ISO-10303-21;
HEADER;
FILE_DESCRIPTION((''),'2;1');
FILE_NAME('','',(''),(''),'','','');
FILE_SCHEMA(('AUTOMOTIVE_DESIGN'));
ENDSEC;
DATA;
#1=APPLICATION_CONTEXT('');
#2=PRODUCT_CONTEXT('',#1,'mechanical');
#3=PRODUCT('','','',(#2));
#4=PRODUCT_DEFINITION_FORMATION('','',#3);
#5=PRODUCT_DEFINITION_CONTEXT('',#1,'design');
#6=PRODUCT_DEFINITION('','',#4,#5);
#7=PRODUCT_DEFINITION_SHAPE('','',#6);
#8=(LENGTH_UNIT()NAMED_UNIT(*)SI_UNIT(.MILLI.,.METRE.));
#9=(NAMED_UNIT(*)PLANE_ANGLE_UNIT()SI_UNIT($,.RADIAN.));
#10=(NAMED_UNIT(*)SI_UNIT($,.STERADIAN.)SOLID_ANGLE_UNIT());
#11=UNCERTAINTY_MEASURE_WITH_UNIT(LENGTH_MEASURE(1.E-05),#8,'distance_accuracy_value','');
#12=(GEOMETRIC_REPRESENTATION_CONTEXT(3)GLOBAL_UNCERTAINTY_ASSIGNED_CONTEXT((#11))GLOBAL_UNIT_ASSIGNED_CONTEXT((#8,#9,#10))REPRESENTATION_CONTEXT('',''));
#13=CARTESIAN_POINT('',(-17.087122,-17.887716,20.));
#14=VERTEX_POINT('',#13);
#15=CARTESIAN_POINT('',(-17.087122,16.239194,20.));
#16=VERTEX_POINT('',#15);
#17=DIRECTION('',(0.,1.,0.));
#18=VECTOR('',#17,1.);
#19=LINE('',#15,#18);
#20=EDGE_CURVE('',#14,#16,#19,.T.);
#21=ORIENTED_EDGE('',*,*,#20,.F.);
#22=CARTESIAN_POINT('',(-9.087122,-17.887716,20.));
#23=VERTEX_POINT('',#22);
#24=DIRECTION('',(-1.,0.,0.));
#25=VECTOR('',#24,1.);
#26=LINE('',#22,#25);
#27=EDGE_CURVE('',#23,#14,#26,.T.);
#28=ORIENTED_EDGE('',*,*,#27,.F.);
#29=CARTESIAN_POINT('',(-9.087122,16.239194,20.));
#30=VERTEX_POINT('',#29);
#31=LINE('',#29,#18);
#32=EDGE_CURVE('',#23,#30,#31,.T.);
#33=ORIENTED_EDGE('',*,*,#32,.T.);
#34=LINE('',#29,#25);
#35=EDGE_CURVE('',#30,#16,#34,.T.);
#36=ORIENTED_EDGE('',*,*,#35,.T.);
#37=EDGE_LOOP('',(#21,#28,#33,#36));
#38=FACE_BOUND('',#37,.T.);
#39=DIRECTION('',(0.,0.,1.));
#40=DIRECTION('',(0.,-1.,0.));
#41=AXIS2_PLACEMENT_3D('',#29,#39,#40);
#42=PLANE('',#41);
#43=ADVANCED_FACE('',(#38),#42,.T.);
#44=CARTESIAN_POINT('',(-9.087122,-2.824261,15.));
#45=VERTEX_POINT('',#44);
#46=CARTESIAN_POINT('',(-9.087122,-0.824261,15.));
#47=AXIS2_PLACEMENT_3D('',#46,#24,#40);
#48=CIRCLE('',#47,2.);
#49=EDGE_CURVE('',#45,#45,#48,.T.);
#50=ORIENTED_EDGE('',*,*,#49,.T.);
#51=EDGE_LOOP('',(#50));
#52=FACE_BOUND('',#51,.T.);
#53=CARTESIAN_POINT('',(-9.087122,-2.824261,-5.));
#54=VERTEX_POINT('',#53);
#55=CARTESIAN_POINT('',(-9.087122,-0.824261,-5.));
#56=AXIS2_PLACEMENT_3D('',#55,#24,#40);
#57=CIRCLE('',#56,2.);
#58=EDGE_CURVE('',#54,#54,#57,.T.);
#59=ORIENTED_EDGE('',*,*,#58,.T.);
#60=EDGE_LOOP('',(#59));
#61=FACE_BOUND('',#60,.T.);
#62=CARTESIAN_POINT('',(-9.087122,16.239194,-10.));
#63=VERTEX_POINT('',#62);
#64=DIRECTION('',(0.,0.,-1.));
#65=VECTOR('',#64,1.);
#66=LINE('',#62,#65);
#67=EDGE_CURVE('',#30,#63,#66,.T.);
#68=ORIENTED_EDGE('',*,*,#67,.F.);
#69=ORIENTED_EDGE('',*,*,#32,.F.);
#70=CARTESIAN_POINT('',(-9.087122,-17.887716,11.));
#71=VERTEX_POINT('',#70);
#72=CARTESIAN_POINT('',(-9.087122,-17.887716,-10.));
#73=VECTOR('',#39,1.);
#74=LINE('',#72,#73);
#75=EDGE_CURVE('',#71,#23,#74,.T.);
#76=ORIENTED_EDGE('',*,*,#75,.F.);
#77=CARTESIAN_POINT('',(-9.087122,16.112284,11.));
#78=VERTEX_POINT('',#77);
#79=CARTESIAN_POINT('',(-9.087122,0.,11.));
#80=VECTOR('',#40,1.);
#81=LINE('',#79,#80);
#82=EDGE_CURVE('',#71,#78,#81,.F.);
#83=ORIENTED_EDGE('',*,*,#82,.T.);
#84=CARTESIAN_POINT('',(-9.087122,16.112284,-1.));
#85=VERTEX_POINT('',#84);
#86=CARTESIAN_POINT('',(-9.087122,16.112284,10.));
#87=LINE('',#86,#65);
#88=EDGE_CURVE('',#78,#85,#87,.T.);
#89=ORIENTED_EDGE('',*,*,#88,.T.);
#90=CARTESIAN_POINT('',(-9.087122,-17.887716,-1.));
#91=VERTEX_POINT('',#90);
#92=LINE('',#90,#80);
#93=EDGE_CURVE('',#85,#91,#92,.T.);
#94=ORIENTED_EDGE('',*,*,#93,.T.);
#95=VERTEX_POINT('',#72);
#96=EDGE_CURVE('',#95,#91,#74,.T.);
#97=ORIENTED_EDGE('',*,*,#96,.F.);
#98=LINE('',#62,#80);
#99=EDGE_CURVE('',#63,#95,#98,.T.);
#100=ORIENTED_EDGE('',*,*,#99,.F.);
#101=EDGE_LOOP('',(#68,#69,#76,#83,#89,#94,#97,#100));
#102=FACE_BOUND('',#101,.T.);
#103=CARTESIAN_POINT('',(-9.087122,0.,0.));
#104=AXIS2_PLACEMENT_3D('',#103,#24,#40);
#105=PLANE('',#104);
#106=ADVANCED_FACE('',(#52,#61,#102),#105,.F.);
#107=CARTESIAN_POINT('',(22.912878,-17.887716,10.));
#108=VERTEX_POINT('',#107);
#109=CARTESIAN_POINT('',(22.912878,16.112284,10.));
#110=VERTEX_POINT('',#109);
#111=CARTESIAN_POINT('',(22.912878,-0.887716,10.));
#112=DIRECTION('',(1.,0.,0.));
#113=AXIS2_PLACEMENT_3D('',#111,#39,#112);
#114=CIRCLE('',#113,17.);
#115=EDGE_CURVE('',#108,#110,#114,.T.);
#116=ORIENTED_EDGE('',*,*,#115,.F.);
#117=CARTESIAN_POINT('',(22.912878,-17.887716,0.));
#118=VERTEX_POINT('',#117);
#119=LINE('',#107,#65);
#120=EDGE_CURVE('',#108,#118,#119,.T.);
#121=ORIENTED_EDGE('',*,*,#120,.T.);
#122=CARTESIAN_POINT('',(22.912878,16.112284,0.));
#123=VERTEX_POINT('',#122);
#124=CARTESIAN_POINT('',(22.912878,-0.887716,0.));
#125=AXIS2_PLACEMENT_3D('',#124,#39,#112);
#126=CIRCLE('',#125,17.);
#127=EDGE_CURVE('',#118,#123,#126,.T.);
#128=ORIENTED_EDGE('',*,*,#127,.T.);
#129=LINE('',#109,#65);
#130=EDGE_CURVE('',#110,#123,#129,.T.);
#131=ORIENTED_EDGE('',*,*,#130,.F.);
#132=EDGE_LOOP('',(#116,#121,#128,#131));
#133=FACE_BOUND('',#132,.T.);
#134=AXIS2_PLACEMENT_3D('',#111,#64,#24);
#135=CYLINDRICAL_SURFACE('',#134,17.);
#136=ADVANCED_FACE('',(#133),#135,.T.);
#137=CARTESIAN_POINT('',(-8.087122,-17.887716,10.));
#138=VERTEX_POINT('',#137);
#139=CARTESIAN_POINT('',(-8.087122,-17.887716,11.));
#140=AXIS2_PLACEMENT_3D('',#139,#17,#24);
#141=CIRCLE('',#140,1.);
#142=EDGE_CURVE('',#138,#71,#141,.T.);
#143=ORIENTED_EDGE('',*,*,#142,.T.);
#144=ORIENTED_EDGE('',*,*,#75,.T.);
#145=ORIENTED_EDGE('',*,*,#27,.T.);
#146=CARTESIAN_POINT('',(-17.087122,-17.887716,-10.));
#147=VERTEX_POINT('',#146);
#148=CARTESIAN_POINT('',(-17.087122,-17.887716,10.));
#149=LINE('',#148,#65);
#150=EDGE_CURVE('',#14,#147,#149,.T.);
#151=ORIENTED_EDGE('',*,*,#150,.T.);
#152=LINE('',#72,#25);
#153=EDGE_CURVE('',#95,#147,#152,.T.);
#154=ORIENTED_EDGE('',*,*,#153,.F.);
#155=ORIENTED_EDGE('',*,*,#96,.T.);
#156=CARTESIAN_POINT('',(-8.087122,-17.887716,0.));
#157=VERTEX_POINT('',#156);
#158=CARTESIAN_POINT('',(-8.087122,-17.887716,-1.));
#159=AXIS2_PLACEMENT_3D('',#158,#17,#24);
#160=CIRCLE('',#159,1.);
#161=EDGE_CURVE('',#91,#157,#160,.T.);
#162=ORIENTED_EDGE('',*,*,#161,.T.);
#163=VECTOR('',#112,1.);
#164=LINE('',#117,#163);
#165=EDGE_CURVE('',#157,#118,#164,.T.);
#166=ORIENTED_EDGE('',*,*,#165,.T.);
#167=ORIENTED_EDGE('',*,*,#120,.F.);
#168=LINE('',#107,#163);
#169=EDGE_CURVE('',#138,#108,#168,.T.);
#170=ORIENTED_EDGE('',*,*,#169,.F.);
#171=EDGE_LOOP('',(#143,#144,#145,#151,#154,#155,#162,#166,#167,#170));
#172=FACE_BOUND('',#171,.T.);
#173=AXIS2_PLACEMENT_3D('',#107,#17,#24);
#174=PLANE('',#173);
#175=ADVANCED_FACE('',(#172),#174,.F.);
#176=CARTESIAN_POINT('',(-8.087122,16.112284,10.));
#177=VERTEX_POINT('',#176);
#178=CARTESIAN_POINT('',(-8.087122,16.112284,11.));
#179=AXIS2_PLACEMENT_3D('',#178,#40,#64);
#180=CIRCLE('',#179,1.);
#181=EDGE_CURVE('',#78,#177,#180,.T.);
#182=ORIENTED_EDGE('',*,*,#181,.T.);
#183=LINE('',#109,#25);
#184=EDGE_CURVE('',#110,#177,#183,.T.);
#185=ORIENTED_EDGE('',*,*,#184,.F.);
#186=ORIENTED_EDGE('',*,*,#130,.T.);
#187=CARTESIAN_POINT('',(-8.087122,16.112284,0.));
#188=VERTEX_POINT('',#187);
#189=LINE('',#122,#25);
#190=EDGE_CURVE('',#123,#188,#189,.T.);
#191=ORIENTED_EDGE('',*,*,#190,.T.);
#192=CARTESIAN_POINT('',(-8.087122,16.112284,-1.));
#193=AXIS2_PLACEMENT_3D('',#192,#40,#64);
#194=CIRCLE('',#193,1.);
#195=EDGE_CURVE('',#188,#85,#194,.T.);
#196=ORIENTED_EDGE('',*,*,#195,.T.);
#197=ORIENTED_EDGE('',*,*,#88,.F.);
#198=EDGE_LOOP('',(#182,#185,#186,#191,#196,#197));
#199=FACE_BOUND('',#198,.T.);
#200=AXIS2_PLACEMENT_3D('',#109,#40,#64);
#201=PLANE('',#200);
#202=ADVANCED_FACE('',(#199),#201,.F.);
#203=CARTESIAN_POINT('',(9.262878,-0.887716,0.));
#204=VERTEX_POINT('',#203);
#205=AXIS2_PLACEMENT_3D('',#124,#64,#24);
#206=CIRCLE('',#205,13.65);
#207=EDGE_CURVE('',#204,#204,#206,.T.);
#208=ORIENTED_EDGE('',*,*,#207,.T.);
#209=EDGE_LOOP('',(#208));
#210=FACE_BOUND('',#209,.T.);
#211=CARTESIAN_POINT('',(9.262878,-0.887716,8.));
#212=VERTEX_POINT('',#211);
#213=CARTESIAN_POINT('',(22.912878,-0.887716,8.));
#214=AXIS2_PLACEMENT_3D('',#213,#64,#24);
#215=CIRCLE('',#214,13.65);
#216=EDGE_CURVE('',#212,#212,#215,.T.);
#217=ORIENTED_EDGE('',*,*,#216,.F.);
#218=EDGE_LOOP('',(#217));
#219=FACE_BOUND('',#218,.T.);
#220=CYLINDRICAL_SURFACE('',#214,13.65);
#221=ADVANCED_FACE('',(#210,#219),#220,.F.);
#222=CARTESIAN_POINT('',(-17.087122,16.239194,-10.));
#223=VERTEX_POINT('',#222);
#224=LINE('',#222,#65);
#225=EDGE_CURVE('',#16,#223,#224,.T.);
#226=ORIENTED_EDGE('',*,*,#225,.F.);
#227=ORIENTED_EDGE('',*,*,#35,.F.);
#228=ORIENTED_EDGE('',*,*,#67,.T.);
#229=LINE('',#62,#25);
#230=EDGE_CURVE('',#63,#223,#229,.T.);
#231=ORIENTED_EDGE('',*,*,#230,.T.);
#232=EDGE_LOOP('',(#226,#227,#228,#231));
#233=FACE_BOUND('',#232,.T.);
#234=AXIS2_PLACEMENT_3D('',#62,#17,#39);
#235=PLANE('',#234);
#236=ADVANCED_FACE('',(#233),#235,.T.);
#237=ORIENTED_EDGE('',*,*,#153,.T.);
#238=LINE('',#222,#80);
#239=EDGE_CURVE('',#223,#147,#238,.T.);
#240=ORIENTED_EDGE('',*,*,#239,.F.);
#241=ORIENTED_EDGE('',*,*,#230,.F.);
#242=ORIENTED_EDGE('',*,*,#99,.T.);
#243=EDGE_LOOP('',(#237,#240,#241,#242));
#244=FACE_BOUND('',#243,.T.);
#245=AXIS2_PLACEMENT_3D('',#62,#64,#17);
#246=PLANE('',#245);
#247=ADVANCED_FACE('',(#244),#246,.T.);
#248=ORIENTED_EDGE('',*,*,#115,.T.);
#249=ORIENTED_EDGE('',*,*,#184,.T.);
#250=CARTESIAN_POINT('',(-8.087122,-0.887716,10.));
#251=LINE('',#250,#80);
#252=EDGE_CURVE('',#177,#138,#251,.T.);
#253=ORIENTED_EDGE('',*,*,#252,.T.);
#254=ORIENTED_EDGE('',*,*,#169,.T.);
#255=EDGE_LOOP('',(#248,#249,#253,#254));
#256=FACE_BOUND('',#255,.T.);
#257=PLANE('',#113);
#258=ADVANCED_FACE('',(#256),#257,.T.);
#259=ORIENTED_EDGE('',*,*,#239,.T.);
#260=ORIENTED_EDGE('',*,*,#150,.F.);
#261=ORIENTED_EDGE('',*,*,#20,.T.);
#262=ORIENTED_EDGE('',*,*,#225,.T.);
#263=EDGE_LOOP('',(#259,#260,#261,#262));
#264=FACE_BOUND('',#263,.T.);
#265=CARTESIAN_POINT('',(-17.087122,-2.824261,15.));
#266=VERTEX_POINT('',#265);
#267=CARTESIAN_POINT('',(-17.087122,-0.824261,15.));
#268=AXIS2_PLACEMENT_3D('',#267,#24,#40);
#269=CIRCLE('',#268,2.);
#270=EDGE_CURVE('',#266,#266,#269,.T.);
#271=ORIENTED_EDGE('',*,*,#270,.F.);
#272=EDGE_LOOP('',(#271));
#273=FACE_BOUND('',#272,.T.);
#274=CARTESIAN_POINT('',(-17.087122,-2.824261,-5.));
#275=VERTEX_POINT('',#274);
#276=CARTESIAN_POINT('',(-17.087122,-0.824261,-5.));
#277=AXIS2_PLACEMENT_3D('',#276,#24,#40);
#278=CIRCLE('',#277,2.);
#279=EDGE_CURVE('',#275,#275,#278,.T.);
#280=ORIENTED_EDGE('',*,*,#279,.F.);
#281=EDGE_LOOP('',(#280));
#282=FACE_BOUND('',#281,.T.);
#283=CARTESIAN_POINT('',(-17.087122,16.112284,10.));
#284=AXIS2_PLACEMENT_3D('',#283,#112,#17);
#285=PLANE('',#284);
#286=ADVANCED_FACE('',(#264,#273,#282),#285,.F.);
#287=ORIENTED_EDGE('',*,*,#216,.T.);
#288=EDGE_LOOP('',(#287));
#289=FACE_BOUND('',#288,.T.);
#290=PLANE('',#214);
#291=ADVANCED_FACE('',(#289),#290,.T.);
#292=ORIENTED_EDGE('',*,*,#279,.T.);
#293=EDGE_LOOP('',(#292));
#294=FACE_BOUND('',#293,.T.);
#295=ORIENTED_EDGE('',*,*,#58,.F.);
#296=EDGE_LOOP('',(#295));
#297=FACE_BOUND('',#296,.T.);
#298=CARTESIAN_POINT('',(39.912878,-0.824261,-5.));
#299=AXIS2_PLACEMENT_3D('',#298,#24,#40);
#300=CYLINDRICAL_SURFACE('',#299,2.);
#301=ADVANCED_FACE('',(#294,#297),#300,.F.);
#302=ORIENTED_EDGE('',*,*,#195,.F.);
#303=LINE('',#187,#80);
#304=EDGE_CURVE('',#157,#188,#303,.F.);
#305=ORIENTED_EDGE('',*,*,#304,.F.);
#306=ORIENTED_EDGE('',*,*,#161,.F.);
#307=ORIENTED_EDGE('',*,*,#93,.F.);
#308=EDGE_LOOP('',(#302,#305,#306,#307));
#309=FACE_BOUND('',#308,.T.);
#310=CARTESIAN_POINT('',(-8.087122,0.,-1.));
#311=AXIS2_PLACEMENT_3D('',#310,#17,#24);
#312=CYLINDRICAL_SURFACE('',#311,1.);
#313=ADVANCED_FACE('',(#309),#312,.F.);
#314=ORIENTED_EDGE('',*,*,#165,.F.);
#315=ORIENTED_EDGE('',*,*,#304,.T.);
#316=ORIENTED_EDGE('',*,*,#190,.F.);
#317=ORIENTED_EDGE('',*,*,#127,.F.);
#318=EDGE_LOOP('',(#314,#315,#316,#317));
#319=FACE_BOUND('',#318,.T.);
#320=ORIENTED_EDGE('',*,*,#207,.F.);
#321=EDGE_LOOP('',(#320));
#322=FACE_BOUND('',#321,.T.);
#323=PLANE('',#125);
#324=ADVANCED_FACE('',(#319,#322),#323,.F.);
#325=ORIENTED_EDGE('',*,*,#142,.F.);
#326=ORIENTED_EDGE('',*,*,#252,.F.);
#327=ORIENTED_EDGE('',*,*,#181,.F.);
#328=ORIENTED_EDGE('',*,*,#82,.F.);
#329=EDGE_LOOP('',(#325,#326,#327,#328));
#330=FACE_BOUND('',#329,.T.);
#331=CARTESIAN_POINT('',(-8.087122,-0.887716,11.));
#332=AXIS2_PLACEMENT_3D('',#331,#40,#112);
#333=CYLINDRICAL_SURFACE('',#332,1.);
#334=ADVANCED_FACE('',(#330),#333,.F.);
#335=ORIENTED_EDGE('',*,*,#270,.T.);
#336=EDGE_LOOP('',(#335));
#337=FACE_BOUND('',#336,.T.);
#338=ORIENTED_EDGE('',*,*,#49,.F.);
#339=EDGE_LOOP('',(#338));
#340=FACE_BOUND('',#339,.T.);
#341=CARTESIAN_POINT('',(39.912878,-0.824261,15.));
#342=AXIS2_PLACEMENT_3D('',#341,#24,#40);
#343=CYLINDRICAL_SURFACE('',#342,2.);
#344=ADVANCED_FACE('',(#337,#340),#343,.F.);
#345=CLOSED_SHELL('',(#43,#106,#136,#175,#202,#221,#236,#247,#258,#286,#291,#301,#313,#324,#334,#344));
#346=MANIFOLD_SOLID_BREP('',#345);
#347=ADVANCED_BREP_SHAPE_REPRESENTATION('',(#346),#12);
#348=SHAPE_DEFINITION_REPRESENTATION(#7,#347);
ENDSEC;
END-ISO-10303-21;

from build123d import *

# Parameters (mm, degrees)
BOSS_EXTRUDE1_DEPTH = 10
SKETCH3_W           = 30
SKETCH3_H           = 34.126910457
BOSS_EXTRUDE2_DEPTH = 8
FILLET1_R           = 1
SKETCH5_R           = 2
CUT_EXTRUDE2_DEPTH  = 63.999765085
SKETCH6_R           = 13.65
CUT_EXTRUDE3_DEPTH  = 8


with BuildPart() as part:
    # Sketch2 → Boss-Extrude1 (new body)
    with BuildSketch(Plane.XY):
        with BuildLine():
            Line((22.912878475, 16.112283523), (-17.087121525, 16.112283523))
            Line((-17.087121525, 16.112283523), (-17.087121525, -17.887716477))
            Line((-17.087121525, -17.887716477), (22.912878475, -17.887716477))
            ThreePointArc((22.912878475, -17.887716477), (39.912878475, -0.887716477), (22.912878475, 16.112283523))
        make_face()
    extrude(amount=BOSS_EXTRUDE1_DEPTH)

    # Sketch3 → Boss-Extrude2 (add)
    with BuildSketch(Plane.ZY.offset(17.087121525)):
        with Locations((5, -0.824261249)):
            Rectangle(SKETCH3_W, SKETCH3_H)
    extrude(amount=-BOSS_EXTRUDE2_DEPTH)

    # Fillet1
    fillet1_edges = [part.edges().sort_by_distance(p)[0] for p in [
        (-9.087121525, -0.887716477, 0),
        (-9.087121525, -0.887716477, 10),
    ]]
    fillet(fillet1_edges, radius=FILLET1_R)

    # Sketch5 → Cut-Extrude2 (cut, through all)
    with BuildSketch(Plane.ZY.offset(17.087121525)):
        with Locations(Location((-5, -0.824261249, 0), (0, 0, 270))):
            Circle(SKETCH5_R)
        with Locations(Location((15, -0.824261249, 0), (0, 0, 270))):
            Circle(SKETCH5_R)
    extrude(amount=-CUT_EXTRUDE2_DEPTH, mode=Mode.SUBTRACT)

    # Sketch6 → Cut-Extrude3 (cut)
    with BuildSketch(Plane(origin=(0, 0, 0), x_dir=(-1, 0, 0), z_dir=(0, 0, -1))):
        with Locations((-22.912878475, -0.887716477)):
            Circle(SKETCH6_R)
    extrude(amount=-CUT_EXTRUDE3_DEPTH, mode=Mode.SUBTRACT)


solid = part.part
